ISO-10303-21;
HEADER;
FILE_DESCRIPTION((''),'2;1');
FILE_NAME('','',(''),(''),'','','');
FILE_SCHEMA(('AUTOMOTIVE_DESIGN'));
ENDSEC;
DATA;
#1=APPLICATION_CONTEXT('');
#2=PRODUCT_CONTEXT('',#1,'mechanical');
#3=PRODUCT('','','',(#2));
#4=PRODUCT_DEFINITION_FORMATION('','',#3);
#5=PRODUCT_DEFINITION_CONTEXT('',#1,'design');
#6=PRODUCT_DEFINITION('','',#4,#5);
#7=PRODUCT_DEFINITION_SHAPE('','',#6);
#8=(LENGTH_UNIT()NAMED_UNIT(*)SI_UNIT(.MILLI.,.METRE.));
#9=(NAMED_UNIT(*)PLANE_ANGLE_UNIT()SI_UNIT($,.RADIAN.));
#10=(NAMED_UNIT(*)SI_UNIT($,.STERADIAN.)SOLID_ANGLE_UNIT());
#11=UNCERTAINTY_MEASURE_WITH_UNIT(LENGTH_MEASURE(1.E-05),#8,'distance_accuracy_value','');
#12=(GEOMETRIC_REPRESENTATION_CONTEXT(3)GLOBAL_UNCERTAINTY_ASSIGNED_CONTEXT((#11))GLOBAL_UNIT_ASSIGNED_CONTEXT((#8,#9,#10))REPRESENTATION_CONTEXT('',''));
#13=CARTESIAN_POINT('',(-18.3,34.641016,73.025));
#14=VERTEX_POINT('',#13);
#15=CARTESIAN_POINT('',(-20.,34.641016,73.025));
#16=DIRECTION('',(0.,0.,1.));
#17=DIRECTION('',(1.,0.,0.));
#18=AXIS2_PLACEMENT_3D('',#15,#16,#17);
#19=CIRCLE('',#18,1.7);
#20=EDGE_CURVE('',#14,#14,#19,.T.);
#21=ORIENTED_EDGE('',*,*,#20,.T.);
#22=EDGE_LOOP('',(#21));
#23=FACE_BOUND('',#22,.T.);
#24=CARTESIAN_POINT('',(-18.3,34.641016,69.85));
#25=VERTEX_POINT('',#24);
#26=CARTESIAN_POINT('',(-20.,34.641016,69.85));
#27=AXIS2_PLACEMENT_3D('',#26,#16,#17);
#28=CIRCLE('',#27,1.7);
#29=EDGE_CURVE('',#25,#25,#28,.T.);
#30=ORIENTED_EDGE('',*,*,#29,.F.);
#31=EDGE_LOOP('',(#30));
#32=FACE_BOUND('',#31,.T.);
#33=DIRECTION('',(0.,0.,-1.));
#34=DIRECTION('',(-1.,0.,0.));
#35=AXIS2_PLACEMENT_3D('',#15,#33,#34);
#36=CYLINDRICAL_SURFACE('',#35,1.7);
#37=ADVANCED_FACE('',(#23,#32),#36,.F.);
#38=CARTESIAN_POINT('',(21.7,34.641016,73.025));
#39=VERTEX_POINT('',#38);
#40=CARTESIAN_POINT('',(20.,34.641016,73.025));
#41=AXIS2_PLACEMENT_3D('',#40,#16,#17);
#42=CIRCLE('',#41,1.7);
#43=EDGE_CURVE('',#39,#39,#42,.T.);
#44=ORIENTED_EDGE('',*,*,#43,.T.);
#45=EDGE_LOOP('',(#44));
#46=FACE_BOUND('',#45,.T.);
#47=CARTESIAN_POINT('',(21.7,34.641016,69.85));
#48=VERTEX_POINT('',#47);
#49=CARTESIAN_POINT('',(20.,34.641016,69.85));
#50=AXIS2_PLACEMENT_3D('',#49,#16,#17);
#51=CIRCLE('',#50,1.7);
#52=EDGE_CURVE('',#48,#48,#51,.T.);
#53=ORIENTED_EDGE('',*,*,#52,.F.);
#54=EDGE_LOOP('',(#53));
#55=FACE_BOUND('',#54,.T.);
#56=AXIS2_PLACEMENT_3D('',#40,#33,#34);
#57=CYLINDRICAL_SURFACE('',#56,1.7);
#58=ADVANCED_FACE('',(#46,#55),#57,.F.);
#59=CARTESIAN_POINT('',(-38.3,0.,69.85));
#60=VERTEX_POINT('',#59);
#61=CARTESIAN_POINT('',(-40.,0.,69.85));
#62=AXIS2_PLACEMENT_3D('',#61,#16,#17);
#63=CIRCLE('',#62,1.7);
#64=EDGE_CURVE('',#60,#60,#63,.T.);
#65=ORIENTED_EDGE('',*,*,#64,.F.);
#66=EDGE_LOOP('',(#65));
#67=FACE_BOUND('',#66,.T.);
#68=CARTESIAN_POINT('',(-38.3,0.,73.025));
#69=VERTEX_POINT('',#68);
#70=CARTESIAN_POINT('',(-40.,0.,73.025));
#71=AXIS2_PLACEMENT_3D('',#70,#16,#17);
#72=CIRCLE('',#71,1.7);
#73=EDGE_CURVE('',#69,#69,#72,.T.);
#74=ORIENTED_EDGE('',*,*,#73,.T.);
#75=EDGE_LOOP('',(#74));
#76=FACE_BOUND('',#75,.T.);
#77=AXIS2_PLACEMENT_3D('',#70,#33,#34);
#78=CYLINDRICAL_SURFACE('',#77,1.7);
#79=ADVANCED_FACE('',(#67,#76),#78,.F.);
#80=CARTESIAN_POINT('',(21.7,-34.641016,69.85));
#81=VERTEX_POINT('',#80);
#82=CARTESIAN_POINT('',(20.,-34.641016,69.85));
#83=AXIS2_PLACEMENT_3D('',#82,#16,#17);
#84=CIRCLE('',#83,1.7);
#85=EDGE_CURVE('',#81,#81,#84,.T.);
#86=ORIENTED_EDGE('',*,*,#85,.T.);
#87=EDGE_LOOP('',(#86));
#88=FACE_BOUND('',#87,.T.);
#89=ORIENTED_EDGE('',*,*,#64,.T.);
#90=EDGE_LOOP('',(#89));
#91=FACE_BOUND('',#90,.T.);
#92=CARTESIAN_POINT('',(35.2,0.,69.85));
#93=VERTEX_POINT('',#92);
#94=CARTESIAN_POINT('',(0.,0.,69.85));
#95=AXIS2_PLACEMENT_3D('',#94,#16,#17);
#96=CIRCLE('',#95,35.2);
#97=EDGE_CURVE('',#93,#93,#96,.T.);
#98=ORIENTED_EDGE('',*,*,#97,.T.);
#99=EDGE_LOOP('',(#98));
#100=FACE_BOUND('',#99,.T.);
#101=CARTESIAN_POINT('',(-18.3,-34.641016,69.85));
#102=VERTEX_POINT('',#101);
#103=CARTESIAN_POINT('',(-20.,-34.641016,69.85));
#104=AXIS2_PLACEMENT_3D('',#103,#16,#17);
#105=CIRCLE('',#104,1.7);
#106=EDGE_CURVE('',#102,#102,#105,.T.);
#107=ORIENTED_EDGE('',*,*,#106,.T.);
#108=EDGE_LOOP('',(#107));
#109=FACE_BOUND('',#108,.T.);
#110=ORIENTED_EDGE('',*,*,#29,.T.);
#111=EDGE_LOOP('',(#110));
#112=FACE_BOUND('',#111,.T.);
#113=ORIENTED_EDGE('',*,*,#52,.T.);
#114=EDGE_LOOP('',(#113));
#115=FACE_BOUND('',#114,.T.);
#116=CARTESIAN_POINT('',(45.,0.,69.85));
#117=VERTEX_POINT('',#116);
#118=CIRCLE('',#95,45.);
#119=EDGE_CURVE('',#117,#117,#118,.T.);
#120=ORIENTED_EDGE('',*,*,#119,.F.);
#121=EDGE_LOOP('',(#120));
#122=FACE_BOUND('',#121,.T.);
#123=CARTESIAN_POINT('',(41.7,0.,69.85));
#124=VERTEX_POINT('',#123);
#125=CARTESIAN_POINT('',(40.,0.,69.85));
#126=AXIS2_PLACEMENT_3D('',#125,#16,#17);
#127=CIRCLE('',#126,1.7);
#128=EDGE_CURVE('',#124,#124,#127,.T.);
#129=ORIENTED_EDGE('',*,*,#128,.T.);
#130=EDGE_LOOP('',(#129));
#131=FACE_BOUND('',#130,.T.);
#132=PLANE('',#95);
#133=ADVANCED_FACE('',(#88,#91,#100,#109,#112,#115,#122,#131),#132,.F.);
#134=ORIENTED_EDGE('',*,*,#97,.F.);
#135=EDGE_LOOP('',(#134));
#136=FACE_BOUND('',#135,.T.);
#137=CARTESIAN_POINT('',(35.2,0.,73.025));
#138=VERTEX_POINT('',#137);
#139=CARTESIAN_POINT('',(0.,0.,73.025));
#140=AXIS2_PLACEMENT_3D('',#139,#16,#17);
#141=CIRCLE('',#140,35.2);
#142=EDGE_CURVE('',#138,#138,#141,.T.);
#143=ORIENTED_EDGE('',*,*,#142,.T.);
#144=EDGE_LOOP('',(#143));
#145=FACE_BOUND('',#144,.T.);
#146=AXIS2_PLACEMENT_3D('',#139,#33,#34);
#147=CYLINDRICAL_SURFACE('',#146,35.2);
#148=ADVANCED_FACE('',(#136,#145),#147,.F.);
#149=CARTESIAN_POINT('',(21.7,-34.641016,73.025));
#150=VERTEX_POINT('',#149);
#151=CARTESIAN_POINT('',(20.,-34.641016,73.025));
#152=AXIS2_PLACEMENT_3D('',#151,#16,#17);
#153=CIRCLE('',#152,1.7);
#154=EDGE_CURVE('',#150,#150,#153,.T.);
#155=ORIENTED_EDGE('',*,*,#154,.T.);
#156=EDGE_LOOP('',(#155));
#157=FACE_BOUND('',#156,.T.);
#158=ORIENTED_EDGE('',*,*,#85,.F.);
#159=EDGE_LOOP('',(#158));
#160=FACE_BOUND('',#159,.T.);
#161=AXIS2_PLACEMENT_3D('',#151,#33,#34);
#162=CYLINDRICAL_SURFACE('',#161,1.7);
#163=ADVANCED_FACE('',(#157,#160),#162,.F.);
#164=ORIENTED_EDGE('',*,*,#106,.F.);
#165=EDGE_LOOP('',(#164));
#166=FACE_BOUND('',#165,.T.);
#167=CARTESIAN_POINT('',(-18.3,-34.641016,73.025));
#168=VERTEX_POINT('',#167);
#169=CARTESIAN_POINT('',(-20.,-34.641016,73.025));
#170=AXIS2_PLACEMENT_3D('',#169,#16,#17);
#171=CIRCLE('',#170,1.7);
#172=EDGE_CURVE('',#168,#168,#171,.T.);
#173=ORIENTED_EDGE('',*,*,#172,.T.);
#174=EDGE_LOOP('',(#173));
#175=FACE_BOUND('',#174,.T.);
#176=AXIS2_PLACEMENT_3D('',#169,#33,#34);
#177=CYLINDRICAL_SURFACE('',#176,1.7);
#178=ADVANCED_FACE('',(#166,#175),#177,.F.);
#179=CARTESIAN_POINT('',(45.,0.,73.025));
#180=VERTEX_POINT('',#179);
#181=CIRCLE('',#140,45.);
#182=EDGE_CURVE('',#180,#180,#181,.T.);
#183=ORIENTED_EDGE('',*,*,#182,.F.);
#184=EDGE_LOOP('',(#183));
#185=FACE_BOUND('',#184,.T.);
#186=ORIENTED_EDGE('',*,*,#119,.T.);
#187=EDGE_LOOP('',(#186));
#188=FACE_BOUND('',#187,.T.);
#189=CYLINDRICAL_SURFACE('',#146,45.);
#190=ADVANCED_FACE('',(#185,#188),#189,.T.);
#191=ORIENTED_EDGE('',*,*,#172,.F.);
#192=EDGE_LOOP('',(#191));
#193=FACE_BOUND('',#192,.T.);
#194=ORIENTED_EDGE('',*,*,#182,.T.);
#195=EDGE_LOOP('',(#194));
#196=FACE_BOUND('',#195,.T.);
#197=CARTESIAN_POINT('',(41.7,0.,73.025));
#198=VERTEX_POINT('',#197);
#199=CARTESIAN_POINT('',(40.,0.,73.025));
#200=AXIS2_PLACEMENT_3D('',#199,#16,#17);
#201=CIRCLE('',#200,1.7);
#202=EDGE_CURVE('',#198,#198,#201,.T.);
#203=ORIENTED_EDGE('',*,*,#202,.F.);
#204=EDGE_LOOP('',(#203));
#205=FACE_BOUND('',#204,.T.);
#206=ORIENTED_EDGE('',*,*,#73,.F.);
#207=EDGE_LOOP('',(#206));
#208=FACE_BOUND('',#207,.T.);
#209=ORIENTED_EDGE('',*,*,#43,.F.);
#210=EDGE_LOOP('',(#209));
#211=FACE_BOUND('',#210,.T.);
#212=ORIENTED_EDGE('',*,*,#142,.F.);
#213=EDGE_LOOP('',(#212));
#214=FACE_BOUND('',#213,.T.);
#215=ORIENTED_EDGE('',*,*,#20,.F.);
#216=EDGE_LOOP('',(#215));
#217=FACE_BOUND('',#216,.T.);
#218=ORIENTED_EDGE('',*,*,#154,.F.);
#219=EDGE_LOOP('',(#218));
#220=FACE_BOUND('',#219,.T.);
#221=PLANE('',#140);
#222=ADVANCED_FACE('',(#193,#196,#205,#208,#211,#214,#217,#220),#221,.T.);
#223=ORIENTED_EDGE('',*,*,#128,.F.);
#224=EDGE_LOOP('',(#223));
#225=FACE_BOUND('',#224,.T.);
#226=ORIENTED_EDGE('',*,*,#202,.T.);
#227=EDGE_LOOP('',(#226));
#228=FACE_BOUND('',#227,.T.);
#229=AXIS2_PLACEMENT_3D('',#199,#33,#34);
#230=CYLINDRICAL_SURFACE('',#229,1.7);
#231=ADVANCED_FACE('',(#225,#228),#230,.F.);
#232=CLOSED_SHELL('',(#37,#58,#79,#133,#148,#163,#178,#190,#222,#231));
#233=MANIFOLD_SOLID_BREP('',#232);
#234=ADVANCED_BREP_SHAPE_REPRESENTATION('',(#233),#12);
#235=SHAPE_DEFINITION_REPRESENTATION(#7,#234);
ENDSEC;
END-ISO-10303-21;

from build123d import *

# Parameters (mm, degrees)
ARO_START         = 69.85
CROQUIS1_R        = 45
CROQUIS1_R_2      = 35.2
ARO_DEPTH         = 3.175
BARRENOS_M3_START = 69.85
CROQUIS2_R        = 1.7
BARRENOS_M3_DEPTH = 3.175


with BuildPart() as part:
    # Croquis1 → Aro (new body)
    with BuildSketch(Plane.XY.offset(ARO_START)):
        Circle(CROQUIS1_R)
        Circle(CROQUIS1_R_2, mode=Mode.SUBTRACT)
    extrude(amount=ARO_DEPTH)

    # Croquis2 → Barrenos_M3 (cut)
    with BuildSketch(Plane.XY.offset(BARRENOS_M3_START)):
        with Locations((40, 0)):
            Circle(CROQUIS2_R)
        with Locations((20, 34.641016151)):
            Circle(CROQUIS2_R)
        with Locations((-20, 34.641016151)):
            Circle(CROQUIS2_R)
        with Locations((-40, 0)):
            Circle(CROQUIS2_R)
        with Locations((-20, -34.641016151)):
            Circle(CROQUIS2_R)
        with Locations((20, -34.641016151)):
            Circle(CROQUIS2_R)
    extrude(amount=BARRENOS_M3_DEPTH, mode=Mode.SUBTRACT)


solid = part.part
